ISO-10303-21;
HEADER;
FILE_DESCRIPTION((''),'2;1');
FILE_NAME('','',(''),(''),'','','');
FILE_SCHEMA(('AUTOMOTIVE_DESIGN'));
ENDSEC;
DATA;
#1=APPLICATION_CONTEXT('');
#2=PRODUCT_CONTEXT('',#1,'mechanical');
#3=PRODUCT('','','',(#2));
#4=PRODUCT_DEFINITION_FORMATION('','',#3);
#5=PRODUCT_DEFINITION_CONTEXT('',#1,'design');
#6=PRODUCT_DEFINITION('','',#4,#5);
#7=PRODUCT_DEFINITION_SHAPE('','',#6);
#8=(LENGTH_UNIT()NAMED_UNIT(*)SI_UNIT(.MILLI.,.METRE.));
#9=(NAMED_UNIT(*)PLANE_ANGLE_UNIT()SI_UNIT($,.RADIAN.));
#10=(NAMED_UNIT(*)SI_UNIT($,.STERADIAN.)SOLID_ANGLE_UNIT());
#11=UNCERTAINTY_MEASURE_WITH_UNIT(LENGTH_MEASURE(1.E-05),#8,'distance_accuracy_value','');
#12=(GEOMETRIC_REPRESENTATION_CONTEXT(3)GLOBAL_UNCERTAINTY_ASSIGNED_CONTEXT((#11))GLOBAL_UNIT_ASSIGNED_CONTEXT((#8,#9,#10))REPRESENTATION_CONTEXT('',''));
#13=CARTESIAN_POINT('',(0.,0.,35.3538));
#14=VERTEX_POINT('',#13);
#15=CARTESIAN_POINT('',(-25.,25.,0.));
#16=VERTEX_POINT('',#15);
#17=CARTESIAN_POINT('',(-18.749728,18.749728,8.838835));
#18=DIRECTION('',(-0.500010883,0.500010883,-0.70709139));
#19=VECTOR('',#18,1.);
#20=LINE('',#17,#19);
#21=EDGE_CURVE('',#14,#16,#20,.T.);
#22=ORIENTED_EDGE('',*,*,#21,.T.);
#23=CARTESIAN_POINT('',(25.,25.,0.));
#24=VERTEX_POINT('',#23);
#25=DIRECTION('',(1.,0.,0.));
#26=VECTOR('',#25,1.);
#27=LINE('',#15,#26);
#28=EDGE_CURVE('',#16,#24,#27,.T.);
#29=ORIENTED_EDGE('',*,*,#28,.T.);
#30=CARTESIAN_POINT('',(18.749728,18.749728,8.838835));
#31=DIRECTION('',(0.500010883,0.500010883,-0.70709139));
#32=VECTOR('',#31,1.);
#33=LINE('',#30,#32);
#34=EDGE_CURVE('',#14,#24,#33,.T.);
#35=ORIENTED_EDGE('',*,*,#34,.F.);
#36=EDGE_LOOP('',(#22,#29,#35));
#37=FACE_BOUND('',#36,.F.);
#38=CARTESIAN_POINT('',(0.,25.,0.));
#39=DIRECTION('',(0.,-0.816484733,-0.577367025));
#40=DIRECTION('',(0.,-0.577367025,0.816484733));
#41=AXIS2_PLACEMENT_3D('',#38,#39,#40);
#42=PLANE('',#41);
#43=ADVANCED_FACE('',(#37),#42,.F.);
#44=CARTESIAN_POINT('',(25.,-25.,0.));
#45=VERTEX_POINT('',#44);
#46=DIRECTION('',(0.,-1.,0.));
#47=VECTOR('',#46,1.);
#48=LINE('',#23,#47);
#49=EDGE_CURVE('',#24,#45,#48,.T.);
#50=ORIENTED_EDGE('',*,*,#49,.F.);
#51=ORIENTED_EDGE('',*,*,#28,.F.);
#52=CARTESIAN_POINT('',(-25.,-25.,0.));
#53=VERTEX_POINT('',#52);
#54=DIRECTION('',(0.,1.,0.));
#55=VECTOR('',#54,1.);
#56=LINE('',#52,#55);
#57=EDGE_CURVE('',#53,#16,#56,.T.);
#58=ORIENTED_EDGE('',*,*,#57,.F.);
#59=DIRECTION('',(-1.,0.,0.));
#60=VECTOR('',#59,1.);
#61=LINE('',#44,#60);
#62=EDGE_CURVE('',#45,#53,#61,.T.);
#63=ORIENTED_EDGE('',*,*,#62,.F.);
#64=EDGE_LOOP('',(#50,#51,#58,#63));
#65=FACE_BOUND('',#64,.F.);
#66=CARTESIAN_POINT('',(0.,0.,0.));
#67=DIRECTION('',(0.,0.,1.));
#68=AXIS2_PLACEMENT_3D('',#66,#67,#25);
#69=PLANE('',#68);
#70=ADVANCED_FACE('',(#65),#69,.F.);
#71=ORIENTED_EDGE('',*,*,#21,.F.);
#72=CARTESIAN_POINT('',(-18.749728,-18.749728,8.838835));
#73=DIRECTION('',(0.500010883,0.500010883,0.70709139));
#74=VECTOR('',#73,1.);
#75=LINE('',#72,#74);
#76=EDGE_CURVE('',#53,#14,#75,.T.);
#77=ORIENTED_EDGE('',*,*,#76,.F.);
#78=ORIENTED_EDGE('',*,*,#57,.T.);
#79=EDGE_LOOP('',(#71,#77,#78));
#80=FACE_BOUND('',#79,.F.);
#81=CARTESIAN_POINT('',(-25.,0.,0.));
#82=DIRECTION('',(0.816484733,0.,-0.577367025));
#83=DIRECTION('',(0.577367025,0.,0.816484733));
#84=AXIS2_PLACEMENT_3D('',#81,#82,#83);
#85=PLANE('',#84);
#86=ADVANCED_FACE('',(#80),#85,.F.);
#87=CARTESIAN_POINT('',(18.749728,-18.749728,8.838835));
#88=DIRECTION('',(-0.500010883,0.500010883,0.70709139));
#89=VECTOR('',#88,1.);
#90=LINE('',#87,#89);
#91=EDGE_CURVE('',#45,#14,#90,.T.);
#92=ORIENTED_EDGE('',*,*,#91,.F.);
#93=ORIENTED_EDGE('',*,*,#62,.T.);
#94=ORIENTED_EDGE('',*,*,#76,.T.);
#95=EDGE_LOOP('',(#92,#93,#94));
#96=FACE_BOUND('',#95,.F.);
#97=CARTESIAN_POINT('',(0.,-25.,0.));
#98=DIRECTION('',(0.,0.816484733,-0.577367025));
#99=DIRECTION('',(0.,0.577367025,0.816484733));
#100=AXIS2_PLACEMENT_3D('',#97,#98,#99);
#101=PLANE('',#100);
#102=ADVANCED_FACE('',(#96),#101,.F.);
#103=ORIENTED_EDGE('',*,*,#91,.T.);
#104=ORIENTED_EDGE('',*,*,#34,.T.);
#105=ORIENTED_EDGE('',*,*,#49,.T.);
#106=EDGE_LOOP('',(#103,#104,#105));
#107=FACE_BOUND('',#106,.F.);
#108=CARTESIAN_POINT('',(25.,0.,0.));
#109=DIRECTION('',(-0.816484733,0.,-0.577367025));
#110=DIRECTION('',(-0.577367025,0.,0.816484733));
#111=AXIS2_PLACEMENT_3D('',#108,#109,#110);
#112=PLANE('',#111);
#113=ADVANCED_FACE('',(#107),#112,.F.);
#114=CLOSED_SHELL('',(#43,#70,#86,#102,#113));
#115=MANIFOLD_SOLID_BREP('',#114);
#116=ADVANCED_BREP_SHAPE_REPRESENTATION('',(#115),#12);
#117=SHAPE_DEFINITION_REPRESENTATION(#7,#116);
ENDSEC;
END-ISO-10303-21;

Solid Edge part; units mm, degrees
sketch "Sketch1" plane through (0, 0, 0) normal (0, 0, 1) x (1, 0, 0)
  line L0 (-25, -25) -> (25, -25)
  line L1 (25, -25) -> (25, 25)
  line L2 (25, 25) -> (-25, 25)
  line L3 (-25, 25) -> (-25, -25)
extrude "Protrusion1" add sketch "Sketch1" along normal blind 44.9981
sketch "Sketch2" plane through (0, 0, 0) normal (1, 0, 0) x (0, 1, 0)
  line L0 (-25, 0) -> (0, 35.3538)
extrude "ExtrudedCutout_1" cut sketch "Sketch2" against normal blind 70.8899 material side at (0, -12.5408, 17.7058)
sketch "Sketch3" plane through (0, 0, 0) normal (1, 0, 0) x (0, 1, 0)
  line L0 (-25, 0) -> (0, 35.3538)
extrude "ExtrudedCutout_2" cut sketch "Sketch3" along normal blind 62.8041 material side at (0, -12.5408, 17.7058)
pattern_circular "Pattern1" count 4 over 360 about axis through (0, 0, 0) along (0, 0, -1) of "ExtrudedCutout_2", "ExtrudedCutout_1"
